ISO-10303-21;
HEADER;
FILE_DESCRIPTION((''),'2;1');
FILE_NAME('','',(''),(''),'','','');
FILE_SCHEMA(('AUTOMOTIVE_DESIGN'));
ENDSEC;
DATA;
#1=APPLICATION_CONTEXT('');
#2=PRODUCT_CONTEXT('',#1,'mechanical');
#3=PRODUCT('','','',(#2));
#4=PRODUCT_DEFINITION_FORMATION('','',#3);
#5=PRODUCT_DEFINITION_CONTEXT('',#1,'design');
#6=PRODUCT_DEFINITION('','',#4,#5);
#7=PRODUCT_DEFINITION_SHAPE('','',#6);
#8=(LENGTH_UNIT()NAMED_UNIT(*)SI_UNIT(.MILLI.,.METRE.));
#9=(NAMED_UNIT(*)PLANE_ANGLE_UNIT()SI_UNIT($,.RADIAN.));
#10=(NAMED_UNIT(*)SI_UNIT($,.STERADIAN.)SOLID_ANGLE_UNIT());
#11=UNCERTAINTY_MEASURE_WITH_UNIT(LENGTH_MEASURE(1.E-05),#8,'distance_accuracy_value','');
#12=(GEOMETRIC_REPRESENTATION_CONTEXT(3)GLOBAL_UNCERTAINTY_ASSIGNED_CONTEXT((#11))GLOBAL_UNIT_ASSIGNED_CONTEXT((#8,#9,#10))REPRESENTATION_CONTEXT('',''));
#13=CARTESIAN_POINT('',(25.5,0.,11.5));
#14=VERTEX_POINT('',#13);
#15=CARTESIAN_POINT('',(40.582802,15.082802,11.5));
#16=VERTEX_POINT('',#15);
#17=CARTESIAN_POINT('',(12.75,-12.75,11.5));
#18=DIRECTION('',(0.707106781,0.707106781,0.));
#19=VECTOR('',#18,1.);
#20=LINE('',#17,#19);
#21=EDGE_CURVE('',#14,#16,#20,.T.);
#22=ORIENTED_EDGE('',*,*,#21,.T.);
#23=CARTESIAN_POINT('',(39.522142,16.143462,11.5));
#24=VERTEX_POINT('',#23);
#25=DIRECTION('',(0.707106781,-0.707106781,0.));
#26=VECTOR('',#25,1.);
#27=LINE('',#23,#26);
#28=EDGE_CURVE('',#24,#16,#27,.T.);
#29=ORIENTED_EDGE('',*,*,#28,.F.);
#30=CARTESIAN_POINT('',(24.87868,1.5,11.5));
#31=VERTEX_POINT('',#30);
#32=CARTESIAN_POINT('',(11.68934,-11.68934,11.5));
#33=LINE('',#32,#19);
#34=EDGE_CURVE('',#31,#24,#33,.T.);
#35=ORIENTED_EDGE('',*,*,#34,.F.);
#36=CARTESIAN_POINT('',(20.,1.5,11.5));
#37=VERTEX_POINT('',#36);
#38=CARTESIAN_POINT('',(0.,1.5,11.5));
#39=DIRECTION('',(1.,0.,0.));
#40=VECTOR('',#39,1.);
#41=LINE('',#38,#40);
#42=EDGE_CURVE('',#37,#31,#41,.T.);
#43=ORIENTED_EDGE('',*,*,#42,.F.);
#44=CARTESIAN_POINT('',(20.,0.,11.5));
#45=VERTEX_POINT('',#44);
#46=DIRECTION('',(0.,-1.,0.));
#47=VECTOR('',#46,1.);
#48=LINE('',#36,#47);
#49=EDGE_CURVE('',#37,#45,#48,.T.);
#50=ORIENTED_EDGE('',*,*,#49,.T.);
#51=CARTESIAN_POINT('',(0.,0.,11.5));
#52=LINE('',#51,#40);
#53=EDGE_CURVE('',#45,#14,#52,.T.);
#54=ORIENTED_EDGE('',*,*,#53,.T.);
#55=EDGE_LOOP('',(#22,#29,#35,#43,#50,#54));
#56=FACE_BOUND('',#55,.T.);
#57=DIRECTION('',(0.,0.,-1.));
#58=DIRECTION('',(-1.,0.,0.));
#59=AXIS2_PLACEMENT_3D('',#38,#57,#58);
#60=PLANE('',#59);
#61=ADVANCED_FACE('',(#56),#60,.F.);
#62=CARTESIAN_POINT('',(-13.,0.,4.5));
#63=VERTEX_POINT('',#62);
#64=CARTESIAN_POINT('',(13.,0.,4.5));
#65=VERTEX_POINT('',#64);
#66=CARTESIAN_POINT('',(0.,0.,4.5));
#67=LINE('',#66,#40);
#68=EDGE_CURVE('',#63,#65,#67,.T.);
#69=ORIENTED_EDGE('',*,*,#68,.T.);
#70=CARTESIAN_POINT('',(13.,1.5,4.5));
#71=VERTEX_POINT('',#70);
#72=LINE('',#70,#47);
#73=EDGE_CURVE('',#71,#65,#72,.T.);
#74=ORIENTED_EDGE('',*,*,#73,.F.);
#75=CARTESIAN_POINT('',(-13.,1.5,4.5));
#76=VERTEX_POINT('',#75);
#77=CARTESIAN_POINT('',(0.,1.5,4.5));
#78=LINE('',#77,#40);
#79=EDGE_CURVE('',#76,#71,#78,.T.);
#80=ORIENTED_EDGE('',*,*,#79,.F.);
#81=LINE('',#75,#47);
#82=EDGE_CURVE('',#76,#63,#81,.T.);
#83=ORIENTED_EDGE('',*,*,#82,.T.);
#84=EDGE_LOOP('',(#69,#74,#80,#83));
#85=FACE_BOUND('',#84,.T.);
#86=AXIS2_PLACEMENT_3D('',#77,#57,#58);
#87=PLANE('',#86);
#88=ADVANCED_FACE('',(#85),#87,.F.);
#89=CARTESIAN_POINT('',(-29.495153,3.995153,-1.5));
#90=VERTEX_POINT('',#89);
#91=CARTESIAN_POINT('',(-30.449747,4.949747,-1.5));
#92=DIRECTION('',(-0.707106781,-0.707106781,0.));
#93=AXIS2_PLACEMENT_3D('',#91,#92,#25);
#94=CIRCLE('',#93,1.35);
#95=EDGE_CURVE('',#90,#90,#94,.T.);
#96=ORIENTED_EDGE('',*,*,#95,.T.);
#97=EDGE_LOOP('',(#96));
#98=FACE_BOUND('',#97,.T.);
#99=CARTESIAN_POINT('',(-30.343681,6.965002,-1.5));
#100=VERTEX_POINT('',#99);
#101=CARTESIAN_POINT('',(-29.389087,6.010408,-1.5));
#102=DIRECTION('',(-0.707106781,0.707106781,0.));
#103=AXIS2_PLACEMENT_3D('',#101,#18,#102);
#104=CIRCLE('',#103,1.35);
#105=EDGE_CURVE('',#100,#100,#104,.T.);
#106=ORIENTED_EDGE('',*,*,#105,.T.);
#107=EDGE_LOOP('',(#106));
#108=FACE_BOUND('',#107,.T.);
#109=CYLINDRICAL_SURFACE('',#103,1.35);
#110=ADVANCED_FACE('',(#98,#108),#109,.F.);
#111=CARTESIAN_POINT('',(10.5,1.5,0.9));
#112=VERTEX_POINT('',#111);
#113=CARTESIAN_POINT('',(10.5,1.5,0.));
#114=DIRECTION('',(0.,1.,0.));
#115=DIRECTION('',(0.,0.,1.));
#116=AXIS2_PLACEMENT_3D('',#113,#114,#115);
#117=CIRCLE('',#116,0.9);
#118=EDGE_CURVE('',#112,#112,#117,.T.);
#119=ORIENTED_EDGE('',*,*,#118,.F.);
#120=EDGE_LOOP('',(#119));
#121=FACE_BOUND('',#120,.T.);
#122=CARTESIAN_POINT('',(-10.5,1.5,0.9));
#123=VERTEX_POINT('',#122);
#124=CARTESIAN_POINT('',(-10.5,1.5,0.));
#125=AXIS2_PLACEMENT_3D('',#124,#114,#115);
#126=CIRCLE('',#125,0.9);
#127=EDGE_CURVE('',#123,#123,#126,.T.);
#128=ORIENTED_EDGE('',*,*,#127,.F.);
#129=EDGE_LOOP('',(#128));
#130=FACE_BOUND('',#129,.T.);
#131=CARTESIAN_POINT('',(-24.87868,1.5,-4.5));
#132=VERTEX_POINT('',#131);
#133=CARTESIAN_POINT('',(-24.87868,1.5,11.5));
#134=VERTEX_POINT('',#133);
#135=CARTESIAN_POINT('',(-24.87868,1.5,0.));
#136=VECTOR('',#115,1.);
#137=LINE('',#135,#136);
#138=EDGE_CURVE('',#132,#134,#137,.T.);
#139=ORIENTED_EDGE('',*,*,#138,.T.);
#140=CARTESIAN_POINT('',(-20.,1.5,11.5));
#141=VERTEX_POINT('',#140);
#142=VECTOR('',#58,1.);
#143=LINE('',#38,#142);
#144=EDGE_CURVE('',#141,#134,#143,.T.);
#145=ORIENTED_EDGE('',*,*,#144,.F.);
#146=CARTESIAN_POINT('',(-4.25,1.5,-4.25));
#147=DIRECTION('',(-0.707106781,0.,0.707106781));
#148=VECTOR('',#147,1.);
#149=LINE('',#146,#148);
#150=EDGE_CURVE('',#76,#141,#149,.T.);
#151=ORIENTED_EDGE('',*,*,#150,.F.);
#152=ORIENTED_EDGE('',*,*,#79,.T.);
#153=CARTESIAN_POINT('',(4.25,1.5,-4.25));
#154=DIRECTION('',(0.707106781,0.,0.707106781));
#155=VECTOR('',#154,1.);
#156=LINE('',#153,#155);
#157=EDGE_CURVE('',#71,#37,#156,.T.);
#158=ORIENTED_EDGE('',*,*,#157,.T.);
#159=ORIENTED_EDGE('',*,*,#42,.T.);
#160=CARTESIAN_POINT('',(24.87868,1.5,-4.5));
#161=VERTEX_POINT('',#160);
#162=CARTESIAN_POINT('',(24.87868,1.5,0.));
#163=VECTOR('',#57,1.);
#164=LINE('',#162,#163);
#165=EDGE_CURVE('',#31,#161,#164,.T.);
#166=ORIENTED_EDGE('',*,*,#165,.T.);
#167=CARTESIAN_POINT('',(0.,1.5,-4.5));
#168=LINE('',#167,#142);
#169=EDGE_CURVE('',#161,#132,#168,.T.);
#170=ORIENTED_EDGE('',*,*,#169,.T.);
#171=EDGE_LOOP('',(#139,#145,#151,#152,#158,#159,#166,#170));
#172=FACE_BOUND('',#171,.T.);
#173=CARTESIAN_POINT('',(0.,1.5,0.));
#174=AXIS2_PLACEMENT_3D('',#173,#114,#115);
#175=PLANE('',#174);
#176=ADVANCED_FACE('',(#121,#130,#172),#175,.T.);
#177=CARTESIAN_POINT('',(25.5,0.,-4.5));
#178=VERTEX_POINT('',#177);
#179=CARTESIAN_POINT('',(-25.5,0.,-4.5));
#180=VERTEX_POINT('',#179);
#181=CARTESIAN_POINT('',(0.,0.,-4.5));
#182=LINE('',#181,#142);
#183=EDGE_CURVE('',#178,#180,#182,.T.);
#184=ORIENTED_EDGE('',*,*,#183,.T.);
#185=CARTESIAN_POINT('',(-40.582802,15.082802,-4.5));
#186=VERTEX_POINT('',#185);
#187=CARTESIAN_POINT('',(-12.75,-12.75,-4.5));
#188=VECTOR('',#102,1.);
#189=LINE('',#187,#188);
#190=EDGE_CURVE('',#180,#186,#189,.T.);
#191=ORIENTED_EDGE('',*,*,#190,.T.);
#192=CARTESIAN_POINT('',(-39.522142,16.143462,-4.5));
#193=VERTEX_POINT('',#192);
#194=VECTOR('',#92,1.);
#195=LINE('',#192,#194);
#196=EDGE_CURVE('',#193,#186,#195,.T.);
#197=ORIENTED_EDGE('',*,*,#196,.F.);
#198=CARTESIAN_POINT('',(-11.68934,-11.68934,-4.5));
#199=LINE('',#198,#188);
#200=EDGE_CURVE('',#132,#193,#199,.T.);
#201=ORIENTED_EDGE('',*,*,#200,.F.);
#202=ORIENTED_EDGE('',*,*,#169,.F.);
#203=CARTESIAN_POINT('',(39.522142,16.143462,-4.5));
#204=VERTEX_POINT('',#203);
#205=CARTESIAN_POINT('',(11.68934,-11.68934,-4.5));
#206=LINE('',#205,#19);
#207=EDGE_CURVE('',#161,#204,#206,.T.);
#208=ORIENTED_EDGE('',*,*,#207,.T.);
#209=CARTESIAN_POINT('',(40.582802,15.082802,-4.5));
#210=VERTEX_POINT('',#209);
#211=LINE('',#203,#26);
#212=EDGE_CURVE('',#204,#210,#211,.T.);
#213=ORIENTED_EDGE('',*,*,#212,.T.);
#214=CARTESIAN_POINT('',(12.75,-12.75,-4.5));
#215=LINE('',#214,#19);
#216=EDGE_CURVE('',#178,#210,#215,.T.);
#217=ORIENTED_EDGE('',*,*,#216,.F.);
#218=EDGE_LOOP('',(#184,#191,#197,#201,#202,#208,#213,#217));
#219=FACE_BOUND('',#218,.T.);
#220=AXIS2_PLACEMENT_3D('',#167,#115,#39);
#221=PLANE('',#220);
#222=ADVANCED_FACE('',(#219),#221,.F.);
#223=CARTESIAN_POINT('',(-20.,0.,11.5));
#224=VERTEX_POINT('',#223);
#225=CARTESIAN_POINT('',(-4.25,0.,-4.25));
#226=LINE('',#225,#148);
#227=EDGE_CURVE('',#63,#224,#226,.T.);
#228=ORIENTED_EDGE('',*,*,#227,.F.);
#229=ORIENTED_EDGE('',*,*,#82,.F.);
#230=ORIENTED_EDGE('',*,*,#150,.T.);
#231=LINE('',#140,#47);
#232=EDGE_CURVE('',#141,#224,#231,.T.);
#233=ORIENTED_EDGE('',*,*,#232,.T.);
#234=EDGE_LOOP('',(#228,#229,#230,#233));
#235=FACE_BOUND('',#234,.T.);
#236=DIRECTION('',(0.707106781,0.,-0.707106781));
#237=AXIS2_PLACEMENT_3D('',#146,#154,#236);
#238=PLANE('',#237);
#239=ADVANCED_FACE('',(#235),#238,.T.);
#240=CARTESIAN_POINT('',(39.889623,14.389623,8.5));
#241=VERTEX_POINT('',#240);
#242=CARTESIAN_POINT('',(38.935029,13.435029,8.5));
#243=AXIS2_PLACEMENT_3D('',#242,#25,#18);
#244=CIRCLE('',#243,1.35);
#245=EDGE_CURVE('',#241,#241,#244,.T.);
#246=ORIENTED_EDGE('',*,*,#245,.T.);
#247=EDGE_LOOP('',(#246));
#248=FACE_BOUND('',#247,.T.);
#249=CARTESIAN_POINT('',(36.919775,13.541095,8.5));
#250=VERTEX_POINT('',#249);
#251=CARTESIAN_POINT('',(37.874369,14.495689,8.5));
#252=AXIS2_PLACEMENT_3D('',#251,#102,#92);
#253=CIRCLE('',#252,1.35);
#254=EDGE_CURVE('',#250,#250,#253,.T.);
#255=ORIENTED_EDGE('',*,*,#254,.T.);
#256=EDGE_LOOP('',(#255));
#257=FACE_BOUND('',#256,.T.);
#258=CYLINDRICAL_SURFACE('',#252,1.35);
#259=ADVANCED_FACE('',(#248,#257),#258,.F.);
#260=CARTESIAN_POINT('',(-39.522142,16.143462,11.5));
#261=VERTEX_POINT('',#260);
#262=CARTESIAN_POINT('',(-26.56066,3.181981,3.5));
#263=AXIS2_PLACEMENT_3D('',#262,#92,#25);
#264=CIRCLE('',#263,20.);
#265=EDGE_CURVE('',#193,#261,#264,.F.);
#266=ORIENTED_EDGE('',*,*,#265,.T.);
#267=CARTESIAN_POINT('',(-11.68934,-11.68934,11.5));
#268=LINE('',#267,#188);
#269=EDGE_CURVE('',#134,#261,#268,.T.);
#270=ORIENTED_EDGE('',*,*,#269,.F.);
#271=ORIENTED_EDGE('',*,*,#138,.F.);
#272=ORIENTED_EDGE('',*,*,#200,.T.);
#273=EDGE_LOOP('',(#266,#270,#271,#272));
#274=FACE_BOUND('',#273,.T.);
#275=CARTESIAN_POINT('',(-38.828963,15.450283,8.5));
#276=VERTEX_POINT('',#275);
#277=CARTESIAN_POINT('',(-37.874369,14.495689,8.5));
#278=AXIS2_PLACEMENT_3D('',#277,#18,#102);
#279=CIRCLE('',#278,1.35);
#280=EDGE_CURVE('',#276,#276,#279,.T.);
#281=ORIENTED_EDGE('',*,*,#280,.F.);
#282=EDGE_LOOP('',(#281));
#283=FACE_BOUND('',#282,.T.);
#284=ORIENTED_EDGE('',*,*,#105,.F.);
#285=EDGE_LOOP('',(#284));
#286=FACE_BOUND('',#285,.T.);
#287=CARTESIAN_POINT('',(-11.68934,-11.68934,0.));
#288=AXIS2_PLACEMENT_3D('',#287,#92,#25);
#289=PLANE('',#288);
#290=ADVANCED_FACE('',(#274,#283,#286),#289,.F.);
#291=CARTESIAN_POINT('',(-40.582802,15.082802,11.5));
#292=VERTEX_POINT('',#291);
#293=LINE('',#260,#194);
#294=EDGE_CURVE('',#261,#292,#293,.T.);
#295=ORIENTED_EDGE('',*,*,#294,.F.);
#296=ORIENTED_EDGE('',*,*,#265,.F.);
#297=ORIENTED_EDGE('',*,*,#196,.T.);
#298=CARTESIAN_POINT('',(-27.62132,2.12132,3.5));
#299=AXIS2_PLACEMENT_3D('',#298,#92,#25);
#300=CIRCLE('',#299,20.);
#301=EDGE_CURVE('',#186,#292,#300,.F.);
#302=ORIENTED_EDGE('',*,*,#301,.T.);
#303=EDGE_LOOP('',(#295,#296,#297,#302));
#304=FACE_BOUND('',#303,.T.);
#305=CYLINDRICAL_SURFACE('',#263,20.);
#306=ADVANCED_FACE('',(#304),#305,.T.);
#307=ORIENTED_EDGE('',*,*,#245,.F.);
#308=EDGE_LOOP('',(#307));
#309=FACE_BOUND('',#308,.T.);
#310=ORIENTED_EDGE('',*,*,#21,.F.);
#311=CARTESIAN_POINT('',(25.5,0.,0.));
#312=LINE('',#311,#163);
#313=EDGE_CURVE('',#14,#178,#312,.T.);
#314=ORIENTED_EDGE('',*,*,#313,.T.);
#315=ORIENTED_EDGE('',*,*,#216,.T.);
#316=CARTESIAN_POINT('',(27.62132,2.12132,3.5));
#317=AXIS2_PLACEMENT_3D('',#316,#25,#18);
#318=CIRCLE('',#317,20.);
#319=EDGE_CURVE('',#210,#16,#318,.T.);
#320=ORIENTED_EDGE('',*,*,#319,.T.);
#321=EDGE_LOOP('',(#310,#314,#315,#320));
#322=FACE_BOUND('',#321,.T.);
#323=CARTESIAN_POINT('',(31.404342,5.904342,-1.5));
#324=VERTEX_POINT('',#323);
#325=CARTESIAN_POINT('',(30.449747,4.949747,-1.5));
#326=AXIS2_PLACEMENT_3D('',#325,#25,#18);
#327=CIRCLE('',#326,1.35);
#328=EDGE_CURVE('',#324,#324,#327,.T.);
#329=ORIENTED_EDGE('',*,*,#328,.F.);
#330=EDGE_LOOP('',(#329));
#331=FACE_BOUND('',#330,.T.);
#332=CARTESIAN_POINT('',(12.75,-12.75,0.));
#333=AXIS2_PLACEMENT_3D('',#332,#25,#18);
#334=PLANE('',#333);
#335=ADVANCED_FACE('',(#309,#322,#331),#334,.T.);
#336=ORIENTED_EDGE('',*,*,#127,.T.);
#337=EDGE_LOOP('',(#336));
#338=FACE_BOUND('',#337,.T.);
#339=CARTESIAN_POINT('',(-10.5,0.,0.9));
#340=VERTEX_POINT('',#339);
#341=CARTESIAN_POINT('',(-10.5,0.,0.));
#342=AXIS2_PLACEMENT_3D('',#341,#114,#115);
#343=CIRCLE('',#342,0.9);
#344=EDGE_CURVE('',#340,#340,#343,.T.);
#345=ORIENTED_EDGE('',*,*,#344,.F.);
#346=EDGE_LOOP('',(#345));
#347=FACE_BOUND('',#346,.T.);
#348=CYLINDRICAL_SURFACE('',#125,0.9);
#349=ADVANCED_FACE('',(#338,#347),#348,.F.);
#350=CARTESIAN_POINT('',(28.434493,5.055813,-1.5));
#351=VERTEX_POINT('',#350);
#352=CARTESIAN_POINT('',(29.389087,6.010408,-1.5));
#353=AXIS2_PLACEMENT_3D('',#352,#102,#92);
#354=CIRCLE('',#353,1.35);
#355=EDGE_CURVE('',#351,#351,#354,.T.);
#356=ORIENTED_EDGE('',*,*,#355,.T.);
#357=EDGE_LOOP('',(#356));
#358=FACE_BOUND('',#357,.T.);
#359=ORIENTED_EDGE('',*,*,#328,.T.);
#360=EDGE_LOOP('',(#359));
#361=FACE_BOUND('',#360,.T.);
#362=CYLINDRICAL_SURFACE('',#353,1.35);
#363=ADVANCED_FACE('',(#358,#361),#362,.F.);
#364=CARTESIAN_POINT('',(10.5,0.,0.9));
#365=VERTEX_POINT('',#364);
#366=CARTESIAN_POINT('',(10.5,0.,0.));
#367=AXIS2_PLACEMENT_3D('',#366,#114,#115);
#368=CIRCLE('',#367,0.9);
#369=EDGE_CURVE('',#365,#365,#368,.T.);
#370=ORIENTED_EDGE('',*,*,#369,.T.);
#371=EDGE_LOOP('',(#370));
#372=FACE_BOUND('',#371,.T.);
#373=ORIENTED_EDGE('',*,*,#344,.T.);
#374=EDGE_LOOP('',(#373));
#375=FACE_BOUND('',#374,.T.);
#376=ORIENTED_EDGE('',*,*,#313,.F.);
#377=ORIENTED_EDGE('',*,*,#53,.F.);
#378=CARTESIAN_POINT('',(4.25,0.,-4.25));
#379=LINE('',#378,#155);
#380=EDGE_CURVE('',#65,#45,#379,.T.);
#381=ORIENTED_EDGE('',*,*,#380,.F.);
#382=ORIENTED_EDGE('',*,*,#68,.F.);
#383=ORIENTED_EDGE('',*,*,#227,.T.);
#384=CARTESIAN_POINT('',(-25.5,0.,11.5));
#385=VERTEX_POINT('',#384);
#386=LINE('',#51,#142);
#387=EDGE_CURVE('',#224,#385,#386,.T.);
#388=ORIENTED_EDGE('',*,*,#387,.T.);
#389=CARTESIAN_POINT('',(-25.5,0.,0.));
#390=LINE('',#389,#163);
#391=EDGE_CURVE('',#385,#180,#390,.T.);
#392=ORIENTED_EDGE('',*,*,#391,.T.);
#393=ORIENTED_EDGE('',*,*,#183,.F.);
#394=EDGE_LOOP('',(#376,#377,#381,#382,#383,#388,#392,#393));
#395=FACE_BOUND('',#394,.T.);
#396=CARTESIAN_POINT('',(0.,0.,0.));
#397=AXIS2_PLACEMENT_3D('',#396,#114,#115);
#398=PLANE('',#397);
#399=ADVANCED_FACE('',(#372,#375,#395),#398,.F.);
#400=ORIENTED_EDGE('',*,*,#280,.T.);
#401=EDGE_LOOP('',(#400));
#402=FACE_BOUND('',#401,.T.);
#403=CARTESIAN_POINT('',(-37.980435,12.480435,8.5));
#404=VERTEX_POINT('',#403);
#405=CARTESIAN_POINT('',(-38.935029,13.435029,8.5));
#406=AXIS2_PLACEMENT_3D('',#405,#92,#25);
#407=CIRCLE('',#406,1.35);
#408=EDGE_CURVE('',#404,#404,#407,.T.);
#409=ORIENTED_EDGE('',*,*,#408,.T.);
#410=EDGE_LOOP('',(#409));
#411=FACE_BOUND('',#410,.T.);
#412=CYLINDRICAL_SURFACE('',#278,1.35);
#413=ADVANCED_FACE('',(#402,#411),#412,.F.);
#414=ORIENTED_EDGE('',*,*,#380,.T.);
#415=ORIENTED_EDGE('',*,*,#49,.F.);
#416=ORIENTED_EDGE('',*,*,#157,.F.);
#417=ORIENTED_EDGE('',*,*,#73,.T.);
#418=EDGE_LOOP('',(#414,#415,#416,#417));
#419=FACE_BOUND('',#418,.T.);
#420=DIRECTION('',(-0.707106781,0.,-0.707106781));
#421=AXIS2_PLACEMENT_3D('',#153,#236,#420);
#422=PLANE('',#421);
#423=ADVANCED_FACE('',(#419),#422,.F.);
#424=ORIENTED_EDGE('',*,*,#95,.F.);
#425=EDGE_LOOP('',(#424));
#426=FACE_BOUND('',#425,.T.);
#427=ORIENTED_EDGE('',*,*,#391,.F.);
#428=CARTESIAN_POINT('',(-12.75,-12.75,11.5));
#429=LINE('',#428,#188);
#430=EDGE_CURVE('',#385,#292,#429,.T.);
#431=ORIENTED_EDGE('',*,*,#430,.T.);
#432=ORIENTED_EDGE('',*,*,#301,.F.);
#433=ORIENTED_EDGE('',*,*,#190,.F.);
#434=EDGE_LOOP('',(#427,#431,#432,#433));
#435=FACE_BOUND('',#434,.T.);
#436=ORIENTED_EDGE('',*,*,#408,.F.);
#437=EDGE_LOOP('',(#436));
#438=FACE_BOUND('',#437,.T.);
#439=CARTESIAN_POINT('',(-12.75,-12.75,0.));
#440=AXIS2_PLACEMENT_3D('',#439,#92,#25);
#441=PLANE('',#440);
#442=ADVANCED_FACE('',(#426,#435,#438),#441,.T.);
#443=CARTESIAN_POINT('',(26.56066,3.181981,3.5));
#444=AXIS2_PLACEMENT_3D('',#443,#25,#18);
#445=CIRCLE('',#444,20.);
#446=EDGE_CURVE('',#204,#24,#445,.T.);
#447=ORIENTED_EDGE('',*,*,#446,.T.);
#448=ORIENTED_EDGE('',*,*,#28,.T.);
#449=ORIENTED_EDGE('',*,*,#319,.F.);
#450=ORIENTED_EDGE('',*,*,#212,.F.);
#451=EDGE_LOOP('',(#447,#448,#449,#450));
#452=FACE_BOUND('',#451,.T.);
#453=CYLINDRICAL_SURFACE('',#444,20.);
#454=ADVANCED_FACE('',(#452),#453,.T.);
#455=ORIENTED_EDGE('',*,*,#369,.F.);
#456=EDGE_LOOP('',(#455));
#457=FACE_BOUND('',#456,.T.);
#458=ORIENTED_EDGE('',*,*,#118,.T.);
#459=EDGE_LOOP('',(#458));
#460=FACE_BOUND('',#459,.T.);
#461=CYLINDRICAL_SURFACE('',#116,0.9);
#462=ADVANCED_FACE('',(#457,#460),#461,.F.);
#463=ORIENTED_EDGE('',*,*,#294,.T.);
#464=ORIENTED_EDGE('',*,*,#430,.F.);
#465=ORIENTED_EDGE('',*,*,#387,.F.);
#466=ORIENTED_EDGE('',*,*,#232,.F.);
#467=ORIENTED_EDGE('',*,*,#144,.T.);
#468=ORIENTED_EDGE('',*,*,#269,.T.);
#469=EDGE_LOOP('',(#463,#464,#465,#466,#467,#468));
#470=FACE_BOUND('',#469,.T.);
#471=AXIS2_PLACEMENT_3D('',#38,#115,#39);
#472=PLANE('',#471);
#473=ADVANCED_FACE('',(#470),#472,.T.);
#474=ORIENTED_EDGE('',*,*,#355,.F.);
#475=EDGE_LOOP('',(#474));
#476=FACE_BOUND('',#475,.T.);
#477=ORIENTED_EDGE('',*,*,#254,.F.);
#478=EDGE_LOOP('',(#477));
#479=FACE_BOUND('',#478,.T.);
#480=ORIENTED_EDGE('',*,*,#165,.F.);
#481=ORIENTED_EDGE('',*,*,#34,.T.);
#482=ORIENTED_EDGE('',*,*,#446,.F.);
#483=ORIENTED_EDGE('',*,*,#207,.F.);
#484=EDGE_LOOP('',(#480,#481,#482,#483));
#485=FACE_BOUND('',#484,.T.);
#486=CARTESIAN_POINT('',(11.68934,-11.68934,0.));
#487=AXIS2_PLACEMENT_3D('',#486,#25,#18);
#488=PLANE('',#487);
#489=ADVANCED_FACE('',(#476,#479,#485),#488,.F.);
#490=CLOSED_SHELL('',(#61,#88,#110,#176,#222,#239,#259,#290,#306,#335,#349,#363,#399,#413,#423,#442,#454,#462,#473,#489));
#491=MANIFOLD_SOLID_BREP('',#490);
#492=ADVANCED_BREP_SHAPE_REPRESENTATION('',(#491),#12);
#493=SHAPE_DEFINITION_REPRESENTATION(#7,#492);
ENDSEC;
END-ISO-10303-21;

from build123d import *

# Parameters (mm, degrees)
MIDDLE_SKETCH_W               = 5.5
MIDDLE_SKETCH_H               = 16
MIDDLE_SKETCH_W_2             = 26
MIDDLE_SKETCH_H_2             = 9
MIDDLE_EXTRUDE_DEPTH          = 1.5
OFFSHOOT_RIGHT_PLANE_SKETCH_W = 16
OFFSHOOT_RIGHT_PLANE_SKETCH_H = 21.33030278
RIGHT_OFFSHOOT_EXTRUDE_DEPTH  = 1.5
OFFSHOOT_LEFT_PLANE_SKETCH_W  = 16
OFFSHOOT_LEFT_PLANE_SKETCH_H  = 21.33030278
LEFT_OFFSHOOT_EXTRUDE_DEPTH   = 1.5
F_2_7_2_7_DIAMETER_HOLE1_D    = 2.7
F_2_7_2_7_DIAMETER_HOLE2_D    = 2.7
F_1_8_1_8_DIAMETER_HOLE1_D    = 1.8


with BuildPart() as part:
    # Middle Sketch → Middle Extrude (new body)
    with BuildSketch(Plane(origin=(0, 0, 0), x_dir=(1, 0, 0), z_dir=(0, 1, 0))):
        with Locations((-22.75, -3.5)):
            Rectangle(MIDDLE_SKETCH_W, MIDDLE_SKETCH_H)
        Polygon((-20, -11.5), (-20, 4.5), (-13, 4.5), (-13, -4.5), align=None)
        Rectangle(MIDDLE_SKETCH_W_2, MIDDLE_SKETCH_H_2)
        Polygon((13, 4.5), (20, 4.5), (20, -11.5), (13, -4.5), align=None)
        with Locations((22.75, -3.5)):
            Rectangle(MIDDLE_SKETCH_W, MIDDLE_SKETCH_H)
    extrude(amount=MIDDLE_EXTRUDE_DEPTH)

    # Offshoot Right Plane Sketch → Right Offshoot Extrude (add)
    with BuildSketch(Plane(origin=(12.75, -12.75, 0), x_dir=(0, 0, -1), z_dir=(0.707106781, -0.707106781, 0))):
        with BuildLine():
            Line((4.5, 39.3615257), (-11.5, 39.3615257))
            ThreePointArc((-11.5, 39.3615257), (-3.5, 41.03122292), (4.5, 39.3615257))
        make_face()
        with Locations((-3.5, 28.69637431)):
            Rectangle(OFFSHOOT_RIGHT_PLANE_SKETCH_W, OFFSHOOT_RIGHT_PLANE_SKETCH_H)
    extrude(amount=-RIGHT_OFFSHOOT_EXTRUDE_DEPTH)

    # Offshoot Left Plane Sketch → Left Offshoot Extrude (add)
    with BuildSketch(Plane(origin=(-12.75, -12.75, 0), x_dir=(0, 0, -1), z_dir=(-0.707106781, -0.707106781, 0))):
        with Locations((-3.5, -28.69637431)):
            Rectangle(OFFSHOOT_LEFT_PLANE_SKETCH_W, OFFSHOOT_LEFT_PLANE_SKETCH_H)
        with BuildLine():
            ThreePointArc((4.5, -39.3615257), (-3.5, -41.03122292), (-11.5, -39.3615257))
            Line((-11.5, -39.3615257), (4.5, -39.3615257))
        make_face()
    extrude(amount=-LEFT_OFFSHOOT_EXTRUDE_DEPTH)

    # Ø2.7 (2.7) Diameter Hole1 (through all)
    with Locations(Plane(origin=(-11.689339828, -11.689339828, 0), x_dir=(0.707106781, -0.707106781, 0), z_dir=(0.707106781, 0.707106781, 0))):
        with Locations((-37.03122292, -8.5), (-25.03122292, 1.5)):
            Hole(F_2_7_2_7_DIAMETER_HOLE1_D / 2)

    # Ø2.7 (2.7) Diameter Hole2 (through all)
    with Locations(Plane(origin=(11.689339828, -11.689339828, 0), x_dir=(0.707106781, 0.707106781, 0), z_dir=(-0.707106781, 0.707106781, 0))):
        with Locations((25.03122292, 1.5), (37.03122292, -8.5)):
            Hole(F_2_7_2_7_DIAMETER_HOLE2_D / 2)

    # Ø1.8 (1.8) Diameter Hole1 (through all)
    with Locations(Plane(origin=(0, 1.5, 0), x_dir=(1, 0, 0), z_dir=(0, 1, 0))):
        with Locations((-10.5, 0), (10.5, 0)):
            Hole(F_1_8_1_8_DIAMETER_HOLE1_D / 2)


solid = part.part
